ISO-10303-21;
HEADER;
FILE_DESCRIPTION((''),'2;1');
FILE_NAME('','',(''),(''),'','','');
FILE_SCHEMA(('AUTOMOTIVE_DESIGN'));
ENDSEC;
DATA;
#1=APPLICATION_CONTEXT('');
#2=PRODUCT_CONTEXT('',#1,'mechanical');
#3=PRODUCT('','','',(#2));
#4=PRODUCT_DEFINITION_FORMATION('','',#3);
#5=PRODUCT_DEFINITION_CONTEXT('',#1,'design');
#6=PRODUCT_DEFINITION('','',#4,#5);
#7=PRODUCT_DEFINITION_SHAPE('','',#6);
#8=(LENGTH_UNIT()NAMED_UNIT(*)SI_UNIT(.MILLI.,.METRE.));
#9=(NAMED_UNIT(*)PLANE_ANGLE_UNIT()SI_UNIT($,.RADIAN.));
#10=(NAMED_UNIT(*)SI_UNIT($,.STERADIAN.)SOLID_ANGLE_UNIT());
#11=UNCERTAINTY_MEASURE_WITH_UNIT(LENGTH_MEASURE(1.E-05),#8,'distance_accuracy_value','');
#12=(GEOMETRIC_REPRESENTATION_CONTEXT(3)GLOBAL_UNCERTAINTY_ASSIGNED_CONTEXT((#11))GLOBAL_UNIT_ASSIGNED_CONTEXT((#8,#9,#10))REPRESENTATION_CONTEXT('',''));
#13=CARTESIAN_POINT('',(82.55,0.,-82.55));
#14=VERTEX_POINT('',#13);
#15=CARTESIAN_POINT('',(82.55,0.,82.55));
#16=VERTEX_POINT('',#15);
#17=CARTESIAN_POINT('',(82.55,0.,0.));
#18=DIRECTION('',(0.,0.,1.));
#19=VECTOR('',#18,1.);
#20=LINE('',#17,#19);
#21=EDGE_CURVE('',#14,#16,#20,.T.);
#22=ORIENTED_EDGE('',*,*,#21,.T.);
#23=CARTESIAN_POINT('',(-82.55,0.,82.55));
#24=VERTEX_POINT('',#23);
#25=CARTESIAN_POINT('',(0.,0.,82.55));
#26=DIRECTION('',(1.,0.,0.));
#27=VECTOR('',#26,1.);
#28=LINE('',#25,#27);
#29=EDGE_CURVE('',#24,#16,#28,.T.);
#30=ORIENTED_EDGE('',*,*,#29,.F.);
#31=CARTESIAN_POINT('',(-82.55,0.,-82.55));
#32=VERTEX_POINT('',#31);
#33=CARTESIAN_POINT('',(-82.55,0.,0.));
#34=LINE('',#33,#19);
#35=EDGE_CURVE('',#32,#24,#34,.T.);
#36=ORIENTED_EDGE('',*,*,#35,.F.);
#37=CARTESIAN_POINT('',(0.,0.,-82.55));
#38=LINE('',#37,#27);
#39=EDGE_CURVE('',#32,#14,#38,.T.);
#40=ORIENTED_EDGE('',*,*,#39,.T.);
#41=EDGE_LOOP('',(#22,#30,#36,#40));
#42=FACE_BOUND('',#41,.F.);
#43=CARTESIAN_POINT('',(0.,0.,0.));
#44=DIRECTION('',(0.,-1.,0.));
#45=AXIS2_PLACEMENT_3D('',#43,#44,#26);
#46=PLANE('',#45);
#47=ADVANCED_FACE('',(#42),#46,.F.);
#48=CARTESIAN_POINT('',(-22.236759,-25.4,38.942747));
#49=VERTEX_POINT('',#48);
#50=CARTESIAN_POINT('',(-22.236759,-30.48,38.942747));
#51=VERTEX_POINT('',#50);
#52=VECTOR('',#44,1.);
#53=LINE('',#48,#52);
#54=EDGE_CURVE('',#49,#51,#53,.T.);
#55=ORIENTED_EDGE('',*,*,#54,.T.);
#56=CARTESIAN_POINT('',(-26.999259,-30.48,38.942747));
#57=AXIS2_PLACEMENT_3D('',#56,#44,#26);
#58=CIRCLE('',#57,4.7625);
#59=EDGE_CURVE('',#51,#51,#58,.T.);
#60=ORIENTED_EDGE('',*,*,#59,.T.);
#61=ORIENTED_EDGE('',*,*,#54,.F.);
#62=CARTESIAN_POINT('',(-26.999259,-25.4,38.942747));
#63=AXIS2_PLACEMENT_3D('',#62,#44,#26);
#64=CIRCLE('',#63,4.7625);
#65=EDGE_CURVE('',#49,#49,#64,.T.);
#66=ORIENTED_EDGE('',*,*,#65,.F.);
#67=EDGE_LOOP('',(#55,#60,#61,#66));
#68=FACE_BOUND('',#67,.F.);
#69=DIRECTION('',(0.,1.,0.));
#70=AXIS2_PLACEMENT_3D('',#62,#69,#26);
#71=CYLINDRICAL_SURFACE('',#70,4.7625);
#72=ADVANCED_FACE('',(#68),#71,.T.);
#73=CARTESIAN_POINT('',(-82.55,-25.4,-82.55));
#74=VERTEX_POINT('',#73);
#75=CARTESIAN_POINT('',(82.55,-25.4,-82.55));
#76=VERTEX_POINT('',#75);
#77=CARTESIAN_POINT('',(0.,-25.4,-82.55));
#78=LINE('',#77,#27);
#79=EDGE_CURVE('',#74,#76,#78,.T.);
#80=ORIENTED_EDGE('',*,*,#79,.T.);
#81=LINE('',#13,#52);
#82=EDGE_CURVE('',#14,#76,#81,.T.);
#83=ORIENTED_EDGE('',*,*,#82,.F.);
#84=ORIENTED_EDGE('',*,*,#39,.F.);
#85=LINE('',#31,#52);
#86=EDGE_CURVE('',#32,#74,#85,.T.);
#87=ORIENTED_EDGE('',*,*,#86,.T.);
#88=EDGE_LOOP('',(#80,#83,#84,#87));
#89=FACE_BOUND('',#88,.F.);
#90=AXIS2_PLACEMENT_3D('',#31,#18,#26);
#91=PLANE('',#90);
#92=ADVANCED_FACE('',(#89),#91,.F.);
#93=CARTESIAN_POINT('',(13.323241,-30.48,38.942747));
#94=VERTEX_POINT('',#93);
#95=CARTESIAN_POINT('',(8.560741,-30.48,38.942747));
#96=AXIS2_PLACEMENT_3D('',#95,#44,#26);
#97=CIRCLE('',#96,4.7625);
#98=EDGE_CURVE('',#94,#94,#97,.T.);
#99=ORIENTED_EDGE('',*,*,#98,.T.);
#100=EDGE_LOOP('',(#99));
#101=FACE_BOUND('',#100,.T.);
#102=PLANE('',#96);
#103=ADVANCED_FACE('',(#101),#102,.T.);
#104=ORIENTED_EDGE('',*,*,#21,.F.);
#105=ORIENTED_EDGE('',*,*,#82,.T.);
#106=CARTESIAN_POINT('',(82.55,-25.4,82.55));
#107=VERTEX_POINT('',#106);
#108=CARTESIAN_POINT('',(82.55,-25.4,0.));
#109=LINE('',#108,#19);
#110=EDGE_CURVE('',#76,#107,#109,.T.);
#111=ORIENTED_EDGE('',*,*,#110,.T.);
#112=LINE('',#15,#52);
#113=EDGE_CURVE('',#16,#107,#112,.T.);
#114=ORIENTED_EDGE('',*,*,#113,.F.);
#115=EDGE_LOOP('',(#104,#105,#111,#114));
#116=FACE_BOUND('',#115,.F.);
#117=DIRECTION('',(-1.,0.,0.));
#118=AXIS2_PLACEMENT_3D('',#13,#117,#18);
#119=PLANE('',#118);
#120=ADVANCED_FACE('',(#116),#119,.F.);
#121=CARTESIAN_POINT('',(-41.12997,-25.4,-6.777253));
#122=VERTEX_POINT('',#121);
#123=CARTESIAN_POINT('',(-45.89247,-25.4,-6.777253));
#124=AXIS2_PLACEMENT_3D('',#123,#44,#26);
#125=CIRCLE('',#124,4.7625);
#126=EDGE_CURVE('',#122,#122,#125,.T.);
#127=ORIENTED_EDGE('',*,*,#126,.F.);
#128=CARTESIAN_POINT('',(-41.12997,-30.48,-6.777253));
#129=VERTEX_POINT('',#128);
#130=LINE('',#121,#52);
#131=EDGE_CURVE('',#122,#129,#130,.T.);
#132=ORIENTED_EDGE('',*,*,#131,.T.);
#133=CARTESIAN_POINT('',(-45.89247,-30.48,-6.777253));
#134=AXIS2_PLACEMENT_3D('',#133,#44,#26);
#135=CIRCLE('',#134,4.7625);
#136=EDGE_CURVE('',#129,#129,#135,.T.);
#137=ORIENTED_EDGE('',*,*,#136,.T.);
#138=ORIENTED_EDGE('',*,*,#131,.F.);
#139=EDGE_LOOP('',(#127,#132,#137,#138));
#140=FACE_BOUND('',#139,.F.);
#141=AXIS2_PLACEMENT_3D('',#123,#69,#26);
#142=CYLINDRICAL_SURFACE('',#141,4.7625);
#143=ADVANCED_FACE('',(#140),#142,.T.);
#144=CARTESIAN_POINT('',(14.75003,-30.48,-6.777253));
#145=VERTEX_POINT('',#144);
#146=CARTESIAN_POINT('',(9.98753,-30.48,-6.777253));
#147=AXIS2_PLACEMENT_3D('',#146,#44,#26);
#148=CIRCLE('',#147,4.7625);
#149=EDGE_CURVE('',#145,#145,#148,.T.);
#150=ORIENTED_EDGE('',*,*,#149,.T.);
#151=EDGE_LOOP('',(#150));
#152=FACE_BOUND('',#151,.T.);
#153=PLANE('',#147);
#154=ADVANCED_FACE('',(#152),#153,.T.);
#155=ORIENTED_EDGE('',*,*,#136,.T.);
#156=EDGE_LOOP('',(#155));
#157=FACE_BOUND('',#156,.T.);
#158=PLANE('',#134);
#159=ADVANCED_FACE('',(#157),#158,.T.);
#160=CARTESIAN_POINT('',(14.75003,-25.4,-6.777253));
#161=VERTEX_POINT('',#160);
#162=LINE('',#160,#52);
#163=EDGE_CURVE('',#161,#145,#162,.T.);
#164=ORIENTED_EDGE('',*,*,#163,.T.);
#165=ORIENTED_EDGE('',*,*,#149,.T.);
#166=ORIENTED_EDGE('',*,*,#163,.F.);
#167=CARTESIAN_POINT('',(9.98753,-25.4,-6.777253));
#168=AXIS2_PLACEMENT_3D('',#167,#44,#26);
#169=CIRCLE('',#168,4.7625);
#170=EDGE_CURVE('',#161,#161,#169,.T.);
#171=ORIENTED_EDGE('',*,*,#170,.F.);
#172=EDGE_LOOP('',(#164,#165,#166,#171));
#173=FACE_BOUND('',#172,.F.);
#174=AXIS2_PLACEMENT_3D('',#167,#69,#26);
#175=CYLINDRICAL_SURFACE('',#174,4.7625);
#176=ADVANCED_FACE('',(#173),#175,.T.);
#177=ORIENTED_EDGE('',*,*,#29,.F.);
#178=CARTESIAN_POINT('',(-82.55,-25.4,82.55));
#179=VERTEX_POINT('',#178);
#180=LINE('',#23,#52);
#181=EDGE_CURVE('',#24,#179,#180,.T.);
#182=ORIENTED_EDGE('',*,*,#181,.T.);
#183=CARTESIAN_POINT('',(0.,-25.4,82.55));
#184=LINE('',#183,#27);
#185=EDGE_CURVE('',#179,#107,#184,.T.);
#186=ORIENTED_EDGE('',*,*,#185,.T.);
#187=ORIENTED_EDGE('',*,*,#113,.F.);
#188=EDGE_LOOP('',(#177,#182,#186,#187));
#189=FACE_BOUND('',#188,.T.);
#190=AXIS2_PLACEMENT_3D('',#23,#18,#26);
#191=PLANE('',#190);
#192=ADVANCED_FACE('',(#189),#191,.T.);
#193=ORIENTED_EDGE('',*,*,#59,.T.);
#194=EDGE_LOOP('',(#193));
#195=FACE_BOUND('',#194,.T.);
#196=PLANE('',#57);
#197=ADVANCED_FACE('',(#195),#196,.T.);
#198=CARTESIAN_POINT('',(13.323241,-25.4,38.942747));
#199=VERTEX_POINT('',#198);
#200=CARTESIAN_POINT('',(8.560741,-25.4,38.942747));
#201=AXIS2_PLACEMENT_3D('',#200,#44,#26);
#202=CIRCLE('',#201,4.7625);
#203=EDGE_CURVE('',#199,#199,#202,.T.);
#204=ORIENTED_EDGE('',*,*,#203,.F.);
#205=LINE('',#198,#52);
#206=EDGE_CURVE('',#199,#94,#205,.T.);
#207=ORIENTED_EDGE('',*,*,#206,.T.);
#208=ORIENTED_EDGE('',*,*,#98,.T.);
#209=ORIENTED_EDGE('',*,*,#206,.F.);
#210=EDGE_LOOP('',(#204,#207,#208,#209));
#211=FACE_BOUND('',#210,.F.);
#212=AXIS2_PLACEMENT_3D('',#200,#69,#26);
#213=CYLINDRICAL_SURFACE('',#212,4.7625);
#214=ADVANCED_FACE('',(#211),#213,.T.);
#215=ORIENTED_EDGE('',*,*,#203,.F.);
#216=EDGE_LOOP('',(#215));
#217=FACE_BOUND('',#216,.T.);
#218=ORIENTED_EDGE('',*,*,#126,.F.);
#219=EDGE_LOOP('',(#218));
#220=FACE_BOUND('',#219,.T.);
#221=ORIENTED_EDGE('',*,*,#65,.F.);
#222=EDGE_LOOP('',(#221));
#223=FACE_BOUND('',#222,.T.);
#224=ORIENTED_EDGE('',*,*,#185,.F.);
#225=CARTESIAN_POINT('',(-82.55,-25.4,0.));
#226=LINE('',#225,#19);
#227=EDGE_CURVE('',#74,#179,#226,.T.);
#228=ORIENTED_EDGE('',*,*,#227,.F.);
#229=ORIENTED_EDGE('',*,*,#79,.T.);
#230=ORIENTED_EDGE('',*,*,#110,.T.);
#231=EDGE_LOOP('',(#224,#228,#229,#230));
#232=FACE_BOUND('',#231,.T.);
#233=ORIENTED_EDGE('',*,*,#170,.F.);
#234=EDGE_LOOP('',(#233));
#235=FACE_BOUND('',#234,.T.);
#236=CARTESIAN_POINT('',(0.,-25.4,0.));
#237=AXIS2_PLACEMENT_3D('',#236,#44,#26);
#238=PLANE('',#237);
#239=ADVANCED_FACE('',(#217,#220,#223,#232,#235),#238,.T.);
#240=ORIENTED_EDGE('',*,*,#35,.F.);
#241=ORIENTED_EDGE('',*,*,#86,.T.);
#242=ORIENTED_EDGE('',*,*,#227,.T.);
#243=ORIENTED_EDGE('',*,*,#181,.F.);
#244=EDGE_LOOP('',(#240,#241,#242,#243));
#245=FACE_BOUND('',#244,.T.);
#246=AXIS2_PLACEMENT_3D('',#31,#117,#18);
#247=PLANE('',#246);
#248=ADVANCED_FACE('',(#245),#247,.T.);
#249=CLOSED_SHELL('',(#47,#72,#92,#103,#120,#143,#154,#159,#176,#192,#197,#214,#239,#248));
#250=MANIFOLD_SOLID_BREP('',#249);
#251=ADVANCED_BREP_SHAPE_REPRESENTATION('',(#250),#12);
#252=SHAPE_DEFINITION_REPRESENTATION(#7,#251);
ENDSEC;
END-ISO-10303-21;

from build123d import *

# Parameters (mm, degrees)
F0_W     = 165.1
F0_H     = 165.1
F1_DEPTH = 25.4
F2_R     = 4.7625
F3_DEPTH = 5.08


with BuildPart() as f1:
    # F0 (on Front) → F1 (new body)
    with BuildSketch(Plane.XZ):
        Rectangle(F0_W, F0_H)
    extrude(amount=F1_DEPTH)

    # F2 (on face) → F3 (join)
    with BuildSketch(Plane.XZ.offset(25.4)):
        with Locations((-26.999259, 38.942747)):
            Circle(F2_R)
        with Locations((8.560741, 38.942747)):
            Circle(F2_R)
        with Locations((-45.89247, -6.777253)):
            Circle(F2_R)
        with Locations((9.98753, -6.777253)):
            Circle(F2_R)
    extrude(amount=F3_DEPTH)


solid = f1.part
